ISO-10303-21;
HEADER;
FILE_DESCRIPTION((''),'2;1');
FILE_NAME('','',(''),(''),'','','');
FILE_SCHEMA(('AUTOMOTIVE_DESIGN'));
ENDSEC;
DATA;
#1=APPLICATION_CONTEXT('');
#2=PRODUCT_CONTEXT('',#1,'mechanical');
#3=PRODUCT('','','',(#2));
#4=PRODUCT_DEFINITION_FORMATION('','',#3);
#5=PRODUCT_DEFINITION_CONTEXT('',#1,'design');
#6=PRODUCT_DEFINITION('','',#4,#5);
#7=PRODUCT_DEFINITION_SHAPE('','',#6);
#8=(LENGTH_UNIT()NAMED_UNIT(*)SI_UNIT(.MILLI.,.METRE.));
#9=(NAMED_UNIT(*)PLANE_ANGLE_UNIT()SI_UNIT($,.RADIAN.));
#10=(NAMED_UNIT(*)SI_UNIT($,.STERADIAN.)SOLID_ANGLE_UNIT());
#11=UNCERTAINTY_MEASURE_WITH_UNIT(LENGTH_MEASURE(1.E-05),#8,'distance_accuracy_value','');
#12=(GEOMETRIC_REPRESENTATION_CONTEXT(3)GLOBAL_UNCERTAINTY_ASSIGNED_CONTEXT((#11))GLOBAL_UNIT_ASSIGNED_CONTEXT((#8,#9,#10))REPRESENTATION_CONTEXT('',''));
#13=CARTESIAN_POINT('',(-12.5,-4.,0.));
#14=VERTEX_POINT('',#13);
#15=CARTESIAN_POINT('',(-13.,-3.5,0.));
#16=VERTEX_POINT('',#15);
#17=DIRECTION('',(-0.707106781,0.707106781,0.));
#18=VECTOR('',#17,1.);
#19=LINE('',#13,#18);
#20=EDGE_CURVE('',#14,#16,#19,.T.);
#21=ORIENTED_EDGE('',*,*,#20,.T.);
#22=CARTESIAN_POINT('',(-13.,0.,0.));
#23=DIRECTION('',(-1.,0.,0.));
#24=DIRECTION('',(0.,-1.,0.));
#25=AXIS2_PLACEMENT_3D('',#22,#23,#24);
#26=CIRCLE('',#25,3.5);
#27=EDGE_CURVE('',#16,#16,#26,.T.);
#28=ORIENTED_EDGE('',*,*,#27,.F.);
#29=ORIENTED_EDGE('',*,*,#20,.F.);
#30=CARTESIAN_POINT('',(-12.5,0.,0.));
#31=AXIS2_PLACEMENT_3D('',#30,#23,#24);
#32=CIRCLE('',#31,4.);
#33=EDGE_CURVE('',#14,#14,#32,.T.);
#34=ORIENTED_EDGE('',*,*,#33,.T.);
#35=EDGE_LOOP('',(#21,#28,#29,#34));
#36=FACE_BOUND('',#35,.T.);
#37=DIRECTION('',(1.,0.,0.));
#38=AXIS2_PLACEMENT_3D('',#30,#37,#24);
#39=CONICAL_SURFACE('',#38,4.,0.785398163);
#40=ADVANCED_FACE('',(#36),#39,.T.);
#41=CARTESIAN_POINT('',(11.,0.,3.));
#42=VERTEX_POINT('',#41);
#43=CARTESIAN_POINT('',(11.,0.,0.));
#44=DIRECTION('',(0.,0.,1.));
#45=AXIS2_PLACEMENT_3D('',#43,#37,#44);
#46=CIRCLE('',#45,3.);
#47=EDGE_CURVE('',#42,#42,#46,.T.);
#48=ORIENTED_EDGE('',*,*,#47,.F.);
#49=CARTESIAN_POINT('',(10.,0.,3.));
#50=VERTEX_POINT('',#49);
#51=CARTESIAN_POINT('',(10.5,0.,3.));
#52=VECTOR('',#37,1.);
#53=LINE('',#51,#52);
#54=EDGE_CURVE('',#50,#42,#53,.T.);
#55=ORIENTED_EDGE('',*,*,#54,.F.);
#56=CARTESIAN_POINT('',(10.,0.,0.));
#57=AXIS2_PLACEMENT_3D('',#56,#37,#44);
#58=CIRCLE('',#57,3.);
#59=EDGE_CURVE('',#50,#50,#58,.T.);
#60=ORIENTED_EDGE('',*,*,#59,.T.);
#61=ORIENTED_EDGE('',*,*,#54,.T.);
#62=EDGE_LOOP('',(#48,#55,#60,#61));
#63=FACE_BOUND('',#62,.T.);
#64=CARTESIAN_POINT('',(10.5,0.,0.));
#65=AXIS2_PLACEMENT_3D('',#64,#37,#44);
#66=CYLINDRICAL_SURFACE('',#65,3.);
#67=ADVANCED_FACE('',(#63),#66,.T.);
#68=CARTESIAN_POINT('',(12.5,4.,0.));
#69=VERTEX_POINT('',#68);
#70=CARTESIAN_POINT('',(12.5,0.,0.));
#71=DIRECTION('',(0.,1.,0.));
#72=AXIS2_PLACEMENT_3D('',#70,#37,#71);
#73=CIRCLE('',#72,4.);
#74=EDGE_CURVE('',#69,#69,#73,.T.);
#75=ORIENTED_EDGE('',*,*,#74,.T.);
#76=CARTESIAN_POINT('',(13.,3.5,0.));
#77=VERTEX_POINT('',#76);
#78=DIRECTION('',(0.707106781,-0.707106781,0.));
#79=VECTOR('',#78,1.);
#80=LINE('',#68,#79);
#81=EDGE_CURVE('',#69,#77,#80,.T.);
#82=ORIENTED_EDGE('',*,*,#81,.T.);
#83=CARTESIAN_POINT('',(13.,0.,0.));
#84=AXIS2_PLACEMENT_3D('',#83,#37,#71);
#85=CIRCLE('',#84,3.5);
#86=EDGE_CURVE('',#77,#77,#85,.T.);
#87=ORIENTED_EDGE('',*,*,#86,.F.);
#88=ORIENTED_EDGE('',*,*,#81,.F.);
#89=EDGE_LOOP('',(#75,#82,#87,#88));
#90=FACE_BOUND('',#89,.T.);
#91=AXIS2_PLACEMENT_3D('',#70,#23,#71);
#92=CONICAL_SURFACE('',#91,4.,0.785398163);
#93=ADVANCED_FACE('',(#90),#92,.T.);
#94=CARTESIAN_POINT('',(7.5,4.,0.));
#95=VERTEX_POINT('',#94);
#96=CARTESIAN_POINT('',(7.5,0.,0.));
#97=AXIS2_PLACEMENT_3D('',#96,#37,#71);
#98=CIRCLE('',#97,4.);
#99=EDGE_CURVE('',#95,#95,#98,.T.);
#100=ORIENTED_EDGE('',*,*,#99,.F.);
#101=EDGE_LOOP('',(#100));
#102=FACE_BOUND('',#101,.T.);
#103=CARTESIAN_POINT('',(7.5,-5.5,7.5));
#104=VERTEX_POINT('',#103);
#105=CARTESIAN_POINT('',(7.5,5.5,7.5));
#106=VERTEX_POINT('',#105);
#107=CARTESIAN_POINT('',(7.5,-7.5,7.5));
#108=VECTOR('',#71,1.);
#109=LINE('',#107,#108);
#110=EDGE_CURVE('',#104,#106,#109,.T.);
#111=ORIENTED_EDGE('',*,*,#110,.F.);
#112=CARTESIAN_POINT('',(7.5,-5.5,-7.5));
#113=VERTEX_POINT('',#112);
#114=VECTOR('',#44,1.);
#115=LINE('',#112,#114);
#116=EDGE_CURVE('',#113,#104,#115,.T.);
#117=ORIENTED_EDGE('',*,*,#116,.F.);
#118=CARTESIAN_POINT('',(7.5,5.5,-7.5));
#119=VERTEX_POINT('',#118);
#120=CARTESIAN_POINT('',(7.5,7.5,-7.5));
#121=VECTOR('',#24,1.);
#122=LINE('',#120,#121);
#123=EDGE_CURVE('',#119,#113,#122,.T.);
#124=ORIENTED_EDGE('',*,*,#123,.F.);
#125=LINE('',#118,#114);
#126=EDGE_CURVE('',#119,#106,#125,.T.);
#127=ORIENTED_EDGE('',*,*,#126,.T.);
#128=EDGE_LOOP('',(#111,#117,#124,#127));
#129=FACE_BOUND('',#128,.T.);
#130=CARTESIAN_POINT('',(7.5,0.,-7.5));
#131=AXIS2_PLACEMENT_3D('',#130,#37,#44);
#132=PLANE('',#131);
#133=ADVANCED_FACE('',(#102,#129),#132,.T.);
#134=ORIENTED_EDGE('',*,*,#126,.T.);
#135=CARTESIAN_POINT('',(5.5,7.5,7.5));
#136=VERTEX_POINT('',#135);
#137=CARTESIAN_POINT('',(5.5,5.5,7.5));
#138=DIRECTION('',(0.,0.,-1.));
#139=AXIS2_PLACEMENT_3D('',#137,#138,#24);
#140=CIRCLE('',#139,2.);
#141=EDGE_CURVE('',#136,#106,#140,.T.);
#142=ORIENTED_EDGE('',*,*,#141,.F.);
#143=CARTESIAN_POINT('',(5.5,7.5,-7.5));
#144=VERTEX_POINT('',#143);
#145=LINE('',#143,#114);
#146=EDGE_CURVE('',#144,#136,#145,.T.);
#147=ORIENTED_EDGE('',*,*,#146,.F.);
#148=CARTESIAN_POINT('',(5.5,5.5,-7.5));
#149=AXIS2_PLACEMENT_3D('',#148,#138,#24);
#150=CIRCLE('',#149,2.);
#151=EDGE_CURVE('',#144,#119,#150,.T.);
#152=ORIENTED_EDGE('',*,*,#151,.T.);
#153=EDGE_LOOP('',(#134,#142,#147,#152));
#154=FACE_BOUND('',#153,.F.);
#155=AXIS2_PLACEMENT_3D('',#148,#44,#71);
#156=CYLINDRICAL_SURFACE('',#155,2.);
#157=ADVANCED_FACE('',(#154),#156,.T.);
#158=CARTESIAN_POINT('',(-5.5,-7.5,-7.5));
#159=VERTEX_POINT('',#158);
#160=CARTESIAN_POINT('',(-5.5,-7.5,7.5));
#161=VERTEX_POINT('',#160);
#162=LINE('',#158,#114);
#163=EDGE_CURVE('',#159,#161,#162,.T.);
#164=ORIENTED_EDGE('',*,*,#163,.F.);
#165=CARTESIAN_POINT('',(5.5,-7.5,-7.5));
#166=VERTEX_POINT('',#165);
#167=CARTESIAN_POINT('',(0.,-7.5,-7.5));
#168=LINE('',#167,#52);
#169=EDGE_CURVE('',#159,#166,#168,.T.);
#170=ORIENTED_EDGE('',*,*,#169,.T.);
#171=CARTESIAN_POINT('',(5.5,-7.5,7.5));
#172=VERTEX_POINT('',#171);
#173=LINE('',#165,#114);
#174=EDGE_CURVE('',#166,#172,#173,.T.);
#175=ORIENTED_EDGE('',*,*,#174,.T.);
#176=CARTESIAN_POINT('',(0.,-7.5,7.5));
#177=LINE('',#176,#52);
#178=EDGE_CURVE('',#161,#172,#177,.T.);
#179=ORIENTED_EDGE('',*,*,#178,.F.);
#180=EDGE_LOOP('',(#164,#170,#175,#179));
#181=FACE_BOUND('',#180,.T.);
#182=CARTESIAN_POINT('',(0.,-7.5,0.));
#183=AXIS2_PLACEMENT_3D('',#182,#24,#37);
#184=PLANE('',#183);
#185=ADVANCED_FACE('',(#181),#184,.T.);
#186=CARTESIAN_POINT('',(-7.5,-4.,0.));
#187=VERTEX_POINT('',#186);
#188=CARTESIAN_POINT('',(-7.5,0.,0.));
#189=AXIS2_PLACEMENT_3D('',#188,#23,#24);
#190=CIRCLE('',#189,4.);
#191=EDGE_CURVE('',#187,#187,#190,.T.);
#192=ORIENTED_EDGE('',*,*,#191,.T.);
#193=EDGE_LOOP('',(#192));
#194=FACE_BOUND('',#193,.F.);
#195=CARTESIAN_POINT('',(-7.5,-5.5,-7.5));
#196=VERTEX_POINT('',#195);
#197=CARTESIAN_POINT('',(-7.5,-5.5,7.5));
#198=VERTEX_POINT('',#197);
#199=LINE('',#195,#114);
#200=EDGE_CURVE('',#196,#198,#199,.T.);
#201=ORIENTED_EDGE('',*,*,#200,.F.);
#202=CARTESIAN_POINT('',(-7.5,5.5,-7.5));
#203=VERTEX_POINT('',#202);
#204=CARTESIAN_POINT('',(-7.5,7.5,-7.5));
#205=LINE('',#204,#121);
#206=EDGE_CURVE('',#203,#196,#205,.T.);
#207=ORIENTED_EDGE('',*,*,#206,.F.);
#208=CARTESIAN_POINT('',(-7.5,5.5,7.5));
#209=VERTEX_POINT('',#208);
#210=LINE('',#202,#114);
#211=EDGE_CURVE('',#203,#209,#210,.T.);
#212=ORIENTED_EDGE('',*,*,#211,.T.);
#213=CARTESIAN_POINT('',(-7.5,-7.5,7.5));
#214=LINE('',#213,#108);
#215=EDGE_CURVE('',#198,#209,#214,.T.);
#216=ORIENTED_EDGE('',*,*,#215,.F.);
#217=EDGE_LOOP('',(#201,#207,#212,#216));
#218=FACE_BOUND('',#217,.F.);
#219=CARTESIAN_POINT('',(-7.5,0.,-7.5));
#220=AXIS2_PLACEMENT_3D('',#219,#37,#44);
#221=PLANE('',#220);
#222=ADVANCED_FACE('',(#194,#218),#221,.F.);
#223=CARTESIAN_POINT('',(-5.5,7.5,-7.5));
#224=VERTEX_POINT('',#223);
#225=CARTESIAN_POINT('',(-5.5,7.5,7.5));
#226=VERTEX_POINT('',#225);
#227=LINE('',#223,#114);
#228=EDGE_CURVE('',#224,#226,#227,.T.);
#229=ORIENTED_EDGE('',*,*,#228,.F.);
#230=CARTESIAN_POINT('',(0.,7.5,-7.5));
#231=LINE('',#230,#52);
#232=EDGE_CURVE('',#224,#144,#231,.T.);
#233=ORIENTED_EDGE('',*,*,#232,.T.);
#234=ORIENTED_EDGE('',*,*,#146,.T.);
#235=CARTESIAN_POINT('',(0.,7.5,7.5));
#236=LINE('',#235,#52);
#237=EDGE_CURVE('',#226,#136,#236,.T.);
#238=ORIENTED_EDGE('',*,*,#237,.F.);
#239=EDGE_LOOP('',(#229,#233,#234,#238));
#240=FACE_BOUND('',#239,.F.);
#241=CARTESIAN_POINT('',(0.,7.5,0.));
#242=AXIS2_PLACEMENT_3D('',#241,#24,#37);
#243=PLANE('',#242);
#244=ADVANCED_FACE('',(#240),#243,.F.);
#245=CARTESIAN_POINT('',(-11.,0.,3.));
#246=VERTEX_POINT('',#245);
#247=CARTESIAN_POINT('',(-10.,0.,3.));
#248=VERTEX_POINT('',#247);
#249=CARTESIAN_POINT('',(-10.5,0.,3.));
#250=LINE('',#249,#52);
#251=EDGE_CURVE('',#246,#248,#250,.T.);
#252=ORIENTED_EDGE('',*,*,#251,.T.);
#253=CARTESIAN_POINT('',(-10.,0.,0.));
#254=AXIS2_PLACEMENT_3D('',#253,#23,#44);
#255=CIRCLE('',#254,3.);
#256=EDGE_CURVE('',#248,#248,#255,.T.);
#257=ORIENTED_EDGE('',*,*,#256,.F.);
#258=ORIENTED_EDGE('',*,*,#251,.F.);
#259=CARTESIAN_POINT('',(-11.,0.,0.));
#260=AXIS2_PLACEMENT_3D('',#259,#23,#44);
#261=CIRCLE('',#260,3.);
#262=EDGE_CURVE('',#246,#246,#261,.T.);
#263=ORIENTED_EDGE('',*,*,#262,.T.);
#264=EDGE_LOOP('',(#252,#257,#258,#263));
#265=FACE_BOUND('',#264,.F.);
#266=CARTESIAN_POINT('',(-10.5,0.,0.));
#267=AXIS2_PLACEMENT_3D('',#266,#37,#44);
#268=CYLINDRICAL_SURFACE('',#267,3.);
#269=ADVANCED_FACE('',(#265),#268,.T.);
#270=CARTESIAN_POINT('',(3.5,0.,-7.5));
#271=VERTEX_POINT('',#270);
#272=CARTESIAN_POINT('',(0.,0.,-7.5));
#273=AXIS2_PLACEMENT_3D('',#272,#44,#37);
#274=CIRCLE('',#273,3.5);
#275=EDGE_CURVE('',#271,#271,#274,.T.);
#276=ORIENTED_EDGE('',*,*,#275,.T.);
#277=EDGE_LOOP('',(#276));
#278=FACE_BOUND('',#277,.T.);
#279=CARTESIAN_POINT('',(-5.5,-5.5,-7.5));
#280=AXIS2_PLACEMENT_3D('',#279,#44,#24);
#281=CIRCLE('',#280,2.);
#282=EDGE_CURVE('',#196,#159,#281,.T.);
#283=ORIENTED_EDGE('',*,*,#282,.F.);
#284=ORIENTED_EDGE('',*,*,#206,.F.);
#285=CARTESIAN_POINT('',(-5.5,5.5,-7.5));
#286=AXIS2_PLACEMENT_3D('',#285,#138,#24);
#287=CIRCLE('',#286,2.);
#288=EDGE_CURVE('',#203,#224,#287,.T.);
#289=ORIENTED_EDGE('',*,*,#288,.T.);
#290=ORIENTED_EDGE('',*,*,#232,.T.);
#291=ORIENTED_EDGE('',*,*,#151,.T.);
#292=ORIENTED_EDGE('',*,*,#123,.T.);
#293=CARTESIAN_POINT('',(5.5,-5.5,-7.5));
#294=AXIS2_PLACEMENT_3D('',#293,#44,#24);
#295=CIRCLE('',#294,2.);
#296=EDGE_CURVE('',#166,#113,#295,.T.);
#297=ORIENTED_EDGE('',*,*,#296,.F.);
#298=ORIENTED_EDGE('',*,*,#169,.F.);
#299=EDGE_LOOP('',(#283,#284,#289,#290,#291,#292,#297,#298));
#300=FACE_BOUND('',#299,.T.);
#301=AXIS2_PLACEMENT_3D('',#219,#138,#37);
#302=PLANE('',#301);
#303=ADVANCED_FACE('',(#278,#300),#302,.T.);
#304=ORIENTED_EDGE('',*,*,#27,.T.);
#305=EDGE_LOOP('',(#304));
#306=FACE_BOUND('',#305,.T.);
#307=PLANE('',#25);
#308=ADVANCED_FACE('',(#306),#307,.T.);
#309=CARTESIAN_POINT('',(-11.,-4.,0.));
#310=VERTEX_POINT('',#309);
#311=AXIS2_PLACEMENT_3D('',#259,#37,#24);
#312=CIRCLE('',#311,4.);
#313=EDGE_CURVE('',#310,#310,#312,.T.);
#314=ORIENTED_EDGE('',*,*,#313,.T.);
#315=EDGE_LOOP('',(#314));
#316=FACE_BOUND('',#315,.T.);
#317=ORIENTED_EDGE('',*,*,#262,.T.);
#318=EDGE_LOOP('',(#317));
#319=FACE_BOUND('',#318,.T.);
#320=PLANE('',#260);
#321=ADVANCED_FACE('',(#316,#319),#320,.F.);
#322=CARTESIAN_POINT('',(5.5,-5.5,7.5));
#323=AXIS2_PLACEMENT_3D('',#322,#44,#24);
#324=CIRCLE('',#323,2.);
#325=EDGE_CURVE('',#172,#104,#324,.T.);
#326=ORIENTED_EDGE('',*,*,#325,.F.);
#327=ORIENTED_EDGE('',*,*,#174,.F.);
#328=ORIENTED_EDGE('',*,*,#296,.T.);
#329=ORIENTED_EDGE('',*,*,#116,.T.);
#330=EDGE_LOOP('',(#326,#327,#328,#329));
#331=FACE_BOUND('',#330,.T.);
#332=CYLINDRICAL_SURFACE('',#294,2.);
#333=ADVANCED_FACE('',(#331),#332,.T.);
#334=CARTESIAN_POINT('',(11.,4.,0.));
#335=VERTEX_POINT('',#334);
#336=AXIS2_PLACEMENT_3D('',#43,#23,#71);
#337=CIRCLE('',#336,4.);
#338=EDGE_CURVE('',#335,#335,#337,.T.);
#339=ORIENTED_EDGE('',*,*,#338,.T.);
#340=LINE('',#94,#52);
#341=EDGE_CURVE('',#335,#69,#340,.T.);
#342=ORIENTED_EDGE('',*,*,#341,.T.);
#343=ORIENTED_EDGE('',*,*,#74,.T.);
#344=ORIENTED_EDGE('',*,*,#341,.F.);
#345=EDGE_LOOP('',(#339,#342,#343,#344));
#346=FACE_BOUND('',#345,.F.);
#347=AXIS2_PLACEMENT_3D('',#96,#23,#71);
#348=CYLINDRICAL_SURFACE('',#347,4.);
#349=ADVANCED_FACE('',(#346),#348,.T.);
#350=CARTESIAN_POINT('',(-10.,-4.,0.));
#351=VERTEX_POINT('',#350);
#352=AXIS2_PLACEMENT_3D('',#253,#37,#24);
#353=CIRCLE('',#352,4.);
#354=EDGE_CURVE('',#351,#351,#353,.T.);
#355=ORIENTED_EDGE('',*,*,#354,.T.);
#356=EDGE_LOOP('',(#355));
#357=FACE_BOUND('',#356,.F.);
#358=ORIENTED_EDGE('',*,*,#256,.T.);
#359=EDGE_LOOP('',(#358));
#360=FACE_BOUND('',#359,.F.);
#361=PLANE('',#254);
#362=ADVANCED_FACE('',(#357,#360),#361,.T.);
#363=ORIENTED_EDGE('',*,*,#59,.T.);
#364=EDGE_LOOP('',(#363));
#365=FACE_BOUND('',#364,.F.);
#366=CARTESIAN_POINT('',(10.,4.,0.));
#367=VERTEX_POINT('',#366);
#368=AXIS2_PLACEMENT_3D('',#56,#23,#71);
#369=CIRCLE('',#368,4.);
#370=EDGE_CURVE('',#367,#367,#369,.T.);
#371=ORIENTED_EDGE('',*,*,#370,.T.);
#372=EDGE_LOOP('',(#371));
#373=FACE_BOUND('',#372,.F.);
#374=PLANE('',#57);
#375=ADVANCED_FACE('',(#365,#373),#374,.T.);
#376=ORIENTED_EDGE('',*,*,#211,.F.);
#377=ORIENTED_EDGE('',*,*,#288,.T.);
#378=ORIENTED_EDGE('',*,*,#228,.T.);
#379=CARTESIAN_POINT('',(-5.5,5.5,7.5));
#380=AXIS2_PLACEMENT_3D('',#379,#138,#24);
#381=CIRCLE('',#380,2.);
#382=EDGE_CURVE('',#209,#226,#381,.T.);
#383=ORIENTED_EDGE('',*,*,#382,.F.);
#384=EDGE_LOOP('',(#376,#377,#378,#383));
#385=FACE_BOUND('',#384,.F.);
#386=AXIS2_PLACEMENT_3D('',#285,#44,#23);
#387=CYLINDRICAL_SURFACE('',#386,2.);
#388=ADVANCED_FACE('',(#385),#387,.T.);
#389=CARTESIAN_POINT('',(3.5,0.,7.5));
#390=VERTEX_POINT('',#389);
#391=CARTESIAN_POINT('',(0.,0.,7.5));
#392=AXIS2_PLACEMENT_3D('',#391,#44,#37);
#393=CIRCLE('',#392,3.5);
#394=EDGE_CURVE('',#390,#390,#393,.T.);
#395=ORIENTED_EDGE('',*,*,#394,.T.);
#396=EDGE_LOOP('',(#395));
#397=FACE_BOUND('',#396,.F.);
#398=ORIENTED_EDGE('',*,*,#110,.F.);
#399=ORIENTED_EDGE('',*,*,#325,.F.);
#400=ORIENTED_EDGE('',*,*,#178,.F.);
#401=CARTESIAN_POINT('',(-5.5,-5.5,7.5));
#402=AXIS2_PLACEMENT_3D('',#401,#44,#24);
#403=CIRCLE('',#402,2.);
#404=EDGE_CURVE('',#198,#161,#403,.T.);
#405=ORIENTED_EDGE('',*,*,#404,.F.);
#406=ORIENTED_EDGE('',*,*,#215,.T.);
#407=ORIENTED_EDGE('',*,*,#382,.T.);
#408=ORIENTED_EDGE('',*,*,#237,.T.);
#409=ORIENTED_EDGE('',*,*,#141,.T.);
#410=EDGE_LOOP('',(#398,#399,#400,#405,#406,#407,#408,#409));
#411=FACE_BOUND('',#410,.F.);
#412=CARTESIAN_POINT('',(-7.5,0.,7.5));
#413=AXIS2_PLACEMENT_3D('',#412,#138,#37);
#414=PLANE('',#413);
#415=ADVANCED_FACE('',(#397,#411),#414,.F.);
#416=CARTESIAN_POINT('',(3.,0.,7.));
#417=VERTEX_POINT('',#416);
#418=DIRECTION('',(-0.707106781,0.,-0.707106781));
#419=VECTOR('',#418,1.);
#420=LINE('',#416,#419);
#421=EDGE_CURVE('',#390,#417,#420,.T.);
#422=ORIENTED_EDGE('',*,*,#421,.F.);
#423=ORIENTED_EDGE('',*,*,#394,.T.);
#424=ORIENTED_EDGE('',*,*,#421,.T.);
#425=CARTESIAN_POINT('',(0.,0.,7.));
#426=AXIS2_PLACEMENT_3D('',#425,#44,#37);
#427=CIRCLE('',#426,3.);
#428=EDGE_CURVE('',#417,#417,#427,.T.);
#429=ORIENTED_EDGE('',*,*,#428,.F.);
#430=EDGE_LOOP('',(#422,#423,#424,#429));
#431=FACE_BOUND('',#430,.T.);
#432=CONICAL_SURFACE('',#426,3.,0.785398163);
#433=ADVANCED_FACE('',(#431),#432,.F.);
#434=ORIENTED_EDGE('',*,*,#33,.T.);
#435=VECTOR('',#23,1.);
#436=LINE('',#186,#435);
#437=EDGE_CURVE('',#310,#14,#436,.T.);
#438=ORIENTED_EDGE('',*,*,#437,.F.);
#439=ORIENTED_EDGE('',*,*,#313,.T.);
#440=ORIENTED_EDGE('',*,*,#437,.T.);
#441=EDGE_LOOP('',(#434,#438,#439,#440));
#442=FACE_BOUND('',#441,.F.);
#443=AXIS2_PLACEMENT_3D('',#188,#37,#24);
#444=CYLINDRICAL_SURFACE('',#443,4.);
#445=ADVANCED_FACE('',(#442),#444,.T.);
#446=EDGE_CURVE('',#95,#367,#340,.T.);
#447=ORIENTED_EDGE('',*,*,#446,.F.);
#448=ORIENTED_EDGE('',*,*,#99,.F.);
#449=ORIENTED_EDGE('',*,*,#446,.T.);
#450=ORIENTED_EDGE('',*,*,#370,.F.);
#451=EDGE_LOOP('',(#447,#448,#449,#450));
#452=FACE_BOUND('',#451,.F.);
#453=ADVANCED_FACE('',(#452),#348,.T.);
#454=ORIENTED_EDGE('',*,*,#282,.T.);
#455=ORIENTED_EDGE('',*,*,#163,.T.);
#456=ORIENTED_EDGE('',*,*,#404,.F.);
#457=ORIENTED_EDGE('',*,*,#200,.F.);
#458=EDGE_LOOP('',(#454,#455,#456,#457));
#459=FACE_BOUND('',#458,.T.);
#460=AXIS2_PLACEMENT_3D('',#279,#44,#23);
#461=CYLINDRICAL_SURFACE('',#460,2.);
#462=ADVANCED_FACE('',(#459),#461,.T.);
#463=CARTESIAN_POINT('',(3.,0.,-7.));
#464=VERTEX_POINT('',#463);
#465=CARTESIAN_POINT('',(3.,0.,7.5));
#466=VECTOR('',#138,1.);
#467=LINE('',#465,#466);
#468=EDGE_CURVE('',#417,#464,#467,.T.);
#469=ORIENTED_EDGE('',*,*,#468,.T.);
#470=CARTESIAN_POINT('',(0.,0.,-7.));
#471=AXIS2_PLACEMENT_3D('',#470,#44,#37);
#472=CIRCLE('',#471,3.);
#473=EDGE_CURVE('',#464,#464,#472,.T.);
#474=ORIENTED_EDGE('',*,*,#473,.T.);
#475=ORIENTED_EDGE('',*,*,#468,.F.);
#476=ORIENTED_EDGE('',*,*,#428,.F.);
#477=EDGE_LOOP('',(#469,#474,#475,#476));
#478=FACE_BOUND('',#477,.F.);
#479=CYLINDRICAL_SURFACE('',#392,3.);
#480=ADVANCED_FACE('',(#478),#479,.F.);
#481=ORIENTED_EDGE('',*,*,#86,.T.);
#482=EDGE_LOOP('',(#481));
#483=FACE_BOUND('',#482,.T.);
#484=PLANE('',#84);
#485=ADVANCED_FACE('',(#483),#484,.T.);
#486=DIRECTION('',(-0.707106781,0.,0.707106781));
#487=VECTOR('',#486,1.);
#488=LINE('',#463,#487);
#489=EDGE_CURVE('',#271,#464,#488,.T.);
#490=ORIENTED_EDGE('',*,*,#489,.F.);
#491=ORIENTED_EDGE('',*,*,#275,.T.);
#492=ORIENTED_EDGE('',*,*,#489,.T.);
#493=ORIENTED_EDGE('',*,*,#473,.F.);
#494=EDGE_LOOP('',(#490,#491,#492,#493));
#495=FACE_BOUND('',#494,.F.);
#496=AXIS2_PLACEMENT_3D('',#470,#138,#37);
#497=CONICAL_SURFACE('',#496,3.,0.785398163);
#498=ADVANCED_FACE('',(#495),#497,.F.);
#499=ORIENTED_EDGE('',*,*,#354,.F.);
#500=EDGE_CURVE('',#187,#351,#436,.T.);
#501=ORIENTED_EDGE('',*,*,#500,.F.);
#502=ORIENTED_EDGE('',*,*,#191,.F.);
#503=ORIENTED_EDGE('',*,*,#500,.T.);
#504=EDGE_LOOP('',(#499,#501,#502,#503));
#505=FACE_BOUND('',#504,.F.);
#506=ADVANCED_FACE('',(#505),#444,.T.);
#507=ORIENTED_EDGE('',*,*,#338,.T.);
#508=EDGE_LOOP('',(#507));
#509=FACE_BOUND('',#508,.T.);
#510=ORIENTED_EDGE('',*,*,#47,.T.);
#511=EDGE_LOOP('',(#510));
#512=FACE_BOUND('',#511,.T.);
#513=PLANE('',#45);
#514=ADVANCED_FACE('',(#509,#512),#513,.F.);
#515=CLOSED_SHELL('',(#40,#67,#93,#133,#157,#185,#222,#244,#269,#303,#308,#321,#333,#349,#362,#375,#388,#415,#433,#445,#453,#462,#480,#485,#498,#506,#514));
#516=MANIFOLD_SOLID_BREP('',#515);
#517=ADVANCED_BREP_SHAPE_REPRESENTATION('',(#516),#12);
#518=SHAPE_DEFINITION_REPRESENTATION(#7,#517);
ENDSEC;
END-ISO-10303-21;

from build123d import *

# Parameters (mm, degrees)
F0_W     = 15
F0_H     = 15
F1_DEPTH = 7.5
F2_R     = 4
F3_DEPTH = 5.5
F4_R     = 4
F5_DEPTH = 5.5
F6_R     = 3
F7_DEPTH = 15.001
F8_W     = 1
F8_H     = 1
F10_W    = 1
F10_H    = 1
F12_SIZE = 0.5
F13_R    = 2
F14_SIZE = 0.5


with BuildPart() as f1:
    # F0 (on Front) → F1 (new body, symmetric)
    with BuildSketch(Plane.XZ):
        Rectangle(F0_W, F0_H)
    extrude(amount=F1_DEPTH, both=True)

    # F2 (on face) → F3 (join)
    with BuildSketch(Plane.YZ.offset(7.5)):
        Circle(F2_R)
    extrude(amount=F3_DEPTH)

    # F4 (on face) → F5 (join)
    with BuildSketch(Plane(origin=(-7.5, 0, 0), x_dir=(0, -1, 0), z_dir=(-1, 0, 0))):
        Circle(F4_R)
    extrude(amount=F5_DEPTH)

    # F6 (on face) → F7 (cut, through all)
    with BuildSketch(Plane.XY.offset(7.5)):
        Circle(F6_R)
    extrude(amount=-F7_DEPTH, mode=Mode.SUBTRACT)

    # F8 (on Front) → F9 (revolve, cut)
    with BuildSketch(Plane.XZ):
        with Locations((10.5, 3.5)):
            Rectangle(F8_W, F8_H)
    revolve(axis=Axis((13, 0, 0), (1, 0, 0)), mode=Mode.SUBTRACT)

    # F10 (on Front) → F11 (revolve, cut)
    with BuildSketch(Plane.XZ):
        with Locations((-10.5, 3.5)):
            Rectangle(F10_W, F10_H)
    revolve(axis=Axis((-13, 0, 0), (-1, 0, 0)), mode=Mode.SUBTRACT)

    # F12
    f12_edges = [f1.edges().sort_by_distance(p)[0] for p in [
        (13, -4, 0),
        (-13, 4, 0),
    ]]
    chamfer(f12_edges, length=F12_SIZE)

    # F13
    f13_edges = [f1.edges().sort_by_distance(p)[0] for p in [
        (-7.5, -7.5, 0),
        (-7.5, 7.5, 0),
        (7.5, 7.5, 0),
        (7.5, -7.5, 0),
    ]]
    fillet(f13_edges, radius=F13_R)

    # F14
    f14_edges = [f1.edges().sort_by_distance(p)[0] for p in [
        (-3, 0, 7.5),
        (-3, 0, -7.5),
    ]]
    chamfer(f14_edges, length=F14_SIZE)


solid = f1.part
